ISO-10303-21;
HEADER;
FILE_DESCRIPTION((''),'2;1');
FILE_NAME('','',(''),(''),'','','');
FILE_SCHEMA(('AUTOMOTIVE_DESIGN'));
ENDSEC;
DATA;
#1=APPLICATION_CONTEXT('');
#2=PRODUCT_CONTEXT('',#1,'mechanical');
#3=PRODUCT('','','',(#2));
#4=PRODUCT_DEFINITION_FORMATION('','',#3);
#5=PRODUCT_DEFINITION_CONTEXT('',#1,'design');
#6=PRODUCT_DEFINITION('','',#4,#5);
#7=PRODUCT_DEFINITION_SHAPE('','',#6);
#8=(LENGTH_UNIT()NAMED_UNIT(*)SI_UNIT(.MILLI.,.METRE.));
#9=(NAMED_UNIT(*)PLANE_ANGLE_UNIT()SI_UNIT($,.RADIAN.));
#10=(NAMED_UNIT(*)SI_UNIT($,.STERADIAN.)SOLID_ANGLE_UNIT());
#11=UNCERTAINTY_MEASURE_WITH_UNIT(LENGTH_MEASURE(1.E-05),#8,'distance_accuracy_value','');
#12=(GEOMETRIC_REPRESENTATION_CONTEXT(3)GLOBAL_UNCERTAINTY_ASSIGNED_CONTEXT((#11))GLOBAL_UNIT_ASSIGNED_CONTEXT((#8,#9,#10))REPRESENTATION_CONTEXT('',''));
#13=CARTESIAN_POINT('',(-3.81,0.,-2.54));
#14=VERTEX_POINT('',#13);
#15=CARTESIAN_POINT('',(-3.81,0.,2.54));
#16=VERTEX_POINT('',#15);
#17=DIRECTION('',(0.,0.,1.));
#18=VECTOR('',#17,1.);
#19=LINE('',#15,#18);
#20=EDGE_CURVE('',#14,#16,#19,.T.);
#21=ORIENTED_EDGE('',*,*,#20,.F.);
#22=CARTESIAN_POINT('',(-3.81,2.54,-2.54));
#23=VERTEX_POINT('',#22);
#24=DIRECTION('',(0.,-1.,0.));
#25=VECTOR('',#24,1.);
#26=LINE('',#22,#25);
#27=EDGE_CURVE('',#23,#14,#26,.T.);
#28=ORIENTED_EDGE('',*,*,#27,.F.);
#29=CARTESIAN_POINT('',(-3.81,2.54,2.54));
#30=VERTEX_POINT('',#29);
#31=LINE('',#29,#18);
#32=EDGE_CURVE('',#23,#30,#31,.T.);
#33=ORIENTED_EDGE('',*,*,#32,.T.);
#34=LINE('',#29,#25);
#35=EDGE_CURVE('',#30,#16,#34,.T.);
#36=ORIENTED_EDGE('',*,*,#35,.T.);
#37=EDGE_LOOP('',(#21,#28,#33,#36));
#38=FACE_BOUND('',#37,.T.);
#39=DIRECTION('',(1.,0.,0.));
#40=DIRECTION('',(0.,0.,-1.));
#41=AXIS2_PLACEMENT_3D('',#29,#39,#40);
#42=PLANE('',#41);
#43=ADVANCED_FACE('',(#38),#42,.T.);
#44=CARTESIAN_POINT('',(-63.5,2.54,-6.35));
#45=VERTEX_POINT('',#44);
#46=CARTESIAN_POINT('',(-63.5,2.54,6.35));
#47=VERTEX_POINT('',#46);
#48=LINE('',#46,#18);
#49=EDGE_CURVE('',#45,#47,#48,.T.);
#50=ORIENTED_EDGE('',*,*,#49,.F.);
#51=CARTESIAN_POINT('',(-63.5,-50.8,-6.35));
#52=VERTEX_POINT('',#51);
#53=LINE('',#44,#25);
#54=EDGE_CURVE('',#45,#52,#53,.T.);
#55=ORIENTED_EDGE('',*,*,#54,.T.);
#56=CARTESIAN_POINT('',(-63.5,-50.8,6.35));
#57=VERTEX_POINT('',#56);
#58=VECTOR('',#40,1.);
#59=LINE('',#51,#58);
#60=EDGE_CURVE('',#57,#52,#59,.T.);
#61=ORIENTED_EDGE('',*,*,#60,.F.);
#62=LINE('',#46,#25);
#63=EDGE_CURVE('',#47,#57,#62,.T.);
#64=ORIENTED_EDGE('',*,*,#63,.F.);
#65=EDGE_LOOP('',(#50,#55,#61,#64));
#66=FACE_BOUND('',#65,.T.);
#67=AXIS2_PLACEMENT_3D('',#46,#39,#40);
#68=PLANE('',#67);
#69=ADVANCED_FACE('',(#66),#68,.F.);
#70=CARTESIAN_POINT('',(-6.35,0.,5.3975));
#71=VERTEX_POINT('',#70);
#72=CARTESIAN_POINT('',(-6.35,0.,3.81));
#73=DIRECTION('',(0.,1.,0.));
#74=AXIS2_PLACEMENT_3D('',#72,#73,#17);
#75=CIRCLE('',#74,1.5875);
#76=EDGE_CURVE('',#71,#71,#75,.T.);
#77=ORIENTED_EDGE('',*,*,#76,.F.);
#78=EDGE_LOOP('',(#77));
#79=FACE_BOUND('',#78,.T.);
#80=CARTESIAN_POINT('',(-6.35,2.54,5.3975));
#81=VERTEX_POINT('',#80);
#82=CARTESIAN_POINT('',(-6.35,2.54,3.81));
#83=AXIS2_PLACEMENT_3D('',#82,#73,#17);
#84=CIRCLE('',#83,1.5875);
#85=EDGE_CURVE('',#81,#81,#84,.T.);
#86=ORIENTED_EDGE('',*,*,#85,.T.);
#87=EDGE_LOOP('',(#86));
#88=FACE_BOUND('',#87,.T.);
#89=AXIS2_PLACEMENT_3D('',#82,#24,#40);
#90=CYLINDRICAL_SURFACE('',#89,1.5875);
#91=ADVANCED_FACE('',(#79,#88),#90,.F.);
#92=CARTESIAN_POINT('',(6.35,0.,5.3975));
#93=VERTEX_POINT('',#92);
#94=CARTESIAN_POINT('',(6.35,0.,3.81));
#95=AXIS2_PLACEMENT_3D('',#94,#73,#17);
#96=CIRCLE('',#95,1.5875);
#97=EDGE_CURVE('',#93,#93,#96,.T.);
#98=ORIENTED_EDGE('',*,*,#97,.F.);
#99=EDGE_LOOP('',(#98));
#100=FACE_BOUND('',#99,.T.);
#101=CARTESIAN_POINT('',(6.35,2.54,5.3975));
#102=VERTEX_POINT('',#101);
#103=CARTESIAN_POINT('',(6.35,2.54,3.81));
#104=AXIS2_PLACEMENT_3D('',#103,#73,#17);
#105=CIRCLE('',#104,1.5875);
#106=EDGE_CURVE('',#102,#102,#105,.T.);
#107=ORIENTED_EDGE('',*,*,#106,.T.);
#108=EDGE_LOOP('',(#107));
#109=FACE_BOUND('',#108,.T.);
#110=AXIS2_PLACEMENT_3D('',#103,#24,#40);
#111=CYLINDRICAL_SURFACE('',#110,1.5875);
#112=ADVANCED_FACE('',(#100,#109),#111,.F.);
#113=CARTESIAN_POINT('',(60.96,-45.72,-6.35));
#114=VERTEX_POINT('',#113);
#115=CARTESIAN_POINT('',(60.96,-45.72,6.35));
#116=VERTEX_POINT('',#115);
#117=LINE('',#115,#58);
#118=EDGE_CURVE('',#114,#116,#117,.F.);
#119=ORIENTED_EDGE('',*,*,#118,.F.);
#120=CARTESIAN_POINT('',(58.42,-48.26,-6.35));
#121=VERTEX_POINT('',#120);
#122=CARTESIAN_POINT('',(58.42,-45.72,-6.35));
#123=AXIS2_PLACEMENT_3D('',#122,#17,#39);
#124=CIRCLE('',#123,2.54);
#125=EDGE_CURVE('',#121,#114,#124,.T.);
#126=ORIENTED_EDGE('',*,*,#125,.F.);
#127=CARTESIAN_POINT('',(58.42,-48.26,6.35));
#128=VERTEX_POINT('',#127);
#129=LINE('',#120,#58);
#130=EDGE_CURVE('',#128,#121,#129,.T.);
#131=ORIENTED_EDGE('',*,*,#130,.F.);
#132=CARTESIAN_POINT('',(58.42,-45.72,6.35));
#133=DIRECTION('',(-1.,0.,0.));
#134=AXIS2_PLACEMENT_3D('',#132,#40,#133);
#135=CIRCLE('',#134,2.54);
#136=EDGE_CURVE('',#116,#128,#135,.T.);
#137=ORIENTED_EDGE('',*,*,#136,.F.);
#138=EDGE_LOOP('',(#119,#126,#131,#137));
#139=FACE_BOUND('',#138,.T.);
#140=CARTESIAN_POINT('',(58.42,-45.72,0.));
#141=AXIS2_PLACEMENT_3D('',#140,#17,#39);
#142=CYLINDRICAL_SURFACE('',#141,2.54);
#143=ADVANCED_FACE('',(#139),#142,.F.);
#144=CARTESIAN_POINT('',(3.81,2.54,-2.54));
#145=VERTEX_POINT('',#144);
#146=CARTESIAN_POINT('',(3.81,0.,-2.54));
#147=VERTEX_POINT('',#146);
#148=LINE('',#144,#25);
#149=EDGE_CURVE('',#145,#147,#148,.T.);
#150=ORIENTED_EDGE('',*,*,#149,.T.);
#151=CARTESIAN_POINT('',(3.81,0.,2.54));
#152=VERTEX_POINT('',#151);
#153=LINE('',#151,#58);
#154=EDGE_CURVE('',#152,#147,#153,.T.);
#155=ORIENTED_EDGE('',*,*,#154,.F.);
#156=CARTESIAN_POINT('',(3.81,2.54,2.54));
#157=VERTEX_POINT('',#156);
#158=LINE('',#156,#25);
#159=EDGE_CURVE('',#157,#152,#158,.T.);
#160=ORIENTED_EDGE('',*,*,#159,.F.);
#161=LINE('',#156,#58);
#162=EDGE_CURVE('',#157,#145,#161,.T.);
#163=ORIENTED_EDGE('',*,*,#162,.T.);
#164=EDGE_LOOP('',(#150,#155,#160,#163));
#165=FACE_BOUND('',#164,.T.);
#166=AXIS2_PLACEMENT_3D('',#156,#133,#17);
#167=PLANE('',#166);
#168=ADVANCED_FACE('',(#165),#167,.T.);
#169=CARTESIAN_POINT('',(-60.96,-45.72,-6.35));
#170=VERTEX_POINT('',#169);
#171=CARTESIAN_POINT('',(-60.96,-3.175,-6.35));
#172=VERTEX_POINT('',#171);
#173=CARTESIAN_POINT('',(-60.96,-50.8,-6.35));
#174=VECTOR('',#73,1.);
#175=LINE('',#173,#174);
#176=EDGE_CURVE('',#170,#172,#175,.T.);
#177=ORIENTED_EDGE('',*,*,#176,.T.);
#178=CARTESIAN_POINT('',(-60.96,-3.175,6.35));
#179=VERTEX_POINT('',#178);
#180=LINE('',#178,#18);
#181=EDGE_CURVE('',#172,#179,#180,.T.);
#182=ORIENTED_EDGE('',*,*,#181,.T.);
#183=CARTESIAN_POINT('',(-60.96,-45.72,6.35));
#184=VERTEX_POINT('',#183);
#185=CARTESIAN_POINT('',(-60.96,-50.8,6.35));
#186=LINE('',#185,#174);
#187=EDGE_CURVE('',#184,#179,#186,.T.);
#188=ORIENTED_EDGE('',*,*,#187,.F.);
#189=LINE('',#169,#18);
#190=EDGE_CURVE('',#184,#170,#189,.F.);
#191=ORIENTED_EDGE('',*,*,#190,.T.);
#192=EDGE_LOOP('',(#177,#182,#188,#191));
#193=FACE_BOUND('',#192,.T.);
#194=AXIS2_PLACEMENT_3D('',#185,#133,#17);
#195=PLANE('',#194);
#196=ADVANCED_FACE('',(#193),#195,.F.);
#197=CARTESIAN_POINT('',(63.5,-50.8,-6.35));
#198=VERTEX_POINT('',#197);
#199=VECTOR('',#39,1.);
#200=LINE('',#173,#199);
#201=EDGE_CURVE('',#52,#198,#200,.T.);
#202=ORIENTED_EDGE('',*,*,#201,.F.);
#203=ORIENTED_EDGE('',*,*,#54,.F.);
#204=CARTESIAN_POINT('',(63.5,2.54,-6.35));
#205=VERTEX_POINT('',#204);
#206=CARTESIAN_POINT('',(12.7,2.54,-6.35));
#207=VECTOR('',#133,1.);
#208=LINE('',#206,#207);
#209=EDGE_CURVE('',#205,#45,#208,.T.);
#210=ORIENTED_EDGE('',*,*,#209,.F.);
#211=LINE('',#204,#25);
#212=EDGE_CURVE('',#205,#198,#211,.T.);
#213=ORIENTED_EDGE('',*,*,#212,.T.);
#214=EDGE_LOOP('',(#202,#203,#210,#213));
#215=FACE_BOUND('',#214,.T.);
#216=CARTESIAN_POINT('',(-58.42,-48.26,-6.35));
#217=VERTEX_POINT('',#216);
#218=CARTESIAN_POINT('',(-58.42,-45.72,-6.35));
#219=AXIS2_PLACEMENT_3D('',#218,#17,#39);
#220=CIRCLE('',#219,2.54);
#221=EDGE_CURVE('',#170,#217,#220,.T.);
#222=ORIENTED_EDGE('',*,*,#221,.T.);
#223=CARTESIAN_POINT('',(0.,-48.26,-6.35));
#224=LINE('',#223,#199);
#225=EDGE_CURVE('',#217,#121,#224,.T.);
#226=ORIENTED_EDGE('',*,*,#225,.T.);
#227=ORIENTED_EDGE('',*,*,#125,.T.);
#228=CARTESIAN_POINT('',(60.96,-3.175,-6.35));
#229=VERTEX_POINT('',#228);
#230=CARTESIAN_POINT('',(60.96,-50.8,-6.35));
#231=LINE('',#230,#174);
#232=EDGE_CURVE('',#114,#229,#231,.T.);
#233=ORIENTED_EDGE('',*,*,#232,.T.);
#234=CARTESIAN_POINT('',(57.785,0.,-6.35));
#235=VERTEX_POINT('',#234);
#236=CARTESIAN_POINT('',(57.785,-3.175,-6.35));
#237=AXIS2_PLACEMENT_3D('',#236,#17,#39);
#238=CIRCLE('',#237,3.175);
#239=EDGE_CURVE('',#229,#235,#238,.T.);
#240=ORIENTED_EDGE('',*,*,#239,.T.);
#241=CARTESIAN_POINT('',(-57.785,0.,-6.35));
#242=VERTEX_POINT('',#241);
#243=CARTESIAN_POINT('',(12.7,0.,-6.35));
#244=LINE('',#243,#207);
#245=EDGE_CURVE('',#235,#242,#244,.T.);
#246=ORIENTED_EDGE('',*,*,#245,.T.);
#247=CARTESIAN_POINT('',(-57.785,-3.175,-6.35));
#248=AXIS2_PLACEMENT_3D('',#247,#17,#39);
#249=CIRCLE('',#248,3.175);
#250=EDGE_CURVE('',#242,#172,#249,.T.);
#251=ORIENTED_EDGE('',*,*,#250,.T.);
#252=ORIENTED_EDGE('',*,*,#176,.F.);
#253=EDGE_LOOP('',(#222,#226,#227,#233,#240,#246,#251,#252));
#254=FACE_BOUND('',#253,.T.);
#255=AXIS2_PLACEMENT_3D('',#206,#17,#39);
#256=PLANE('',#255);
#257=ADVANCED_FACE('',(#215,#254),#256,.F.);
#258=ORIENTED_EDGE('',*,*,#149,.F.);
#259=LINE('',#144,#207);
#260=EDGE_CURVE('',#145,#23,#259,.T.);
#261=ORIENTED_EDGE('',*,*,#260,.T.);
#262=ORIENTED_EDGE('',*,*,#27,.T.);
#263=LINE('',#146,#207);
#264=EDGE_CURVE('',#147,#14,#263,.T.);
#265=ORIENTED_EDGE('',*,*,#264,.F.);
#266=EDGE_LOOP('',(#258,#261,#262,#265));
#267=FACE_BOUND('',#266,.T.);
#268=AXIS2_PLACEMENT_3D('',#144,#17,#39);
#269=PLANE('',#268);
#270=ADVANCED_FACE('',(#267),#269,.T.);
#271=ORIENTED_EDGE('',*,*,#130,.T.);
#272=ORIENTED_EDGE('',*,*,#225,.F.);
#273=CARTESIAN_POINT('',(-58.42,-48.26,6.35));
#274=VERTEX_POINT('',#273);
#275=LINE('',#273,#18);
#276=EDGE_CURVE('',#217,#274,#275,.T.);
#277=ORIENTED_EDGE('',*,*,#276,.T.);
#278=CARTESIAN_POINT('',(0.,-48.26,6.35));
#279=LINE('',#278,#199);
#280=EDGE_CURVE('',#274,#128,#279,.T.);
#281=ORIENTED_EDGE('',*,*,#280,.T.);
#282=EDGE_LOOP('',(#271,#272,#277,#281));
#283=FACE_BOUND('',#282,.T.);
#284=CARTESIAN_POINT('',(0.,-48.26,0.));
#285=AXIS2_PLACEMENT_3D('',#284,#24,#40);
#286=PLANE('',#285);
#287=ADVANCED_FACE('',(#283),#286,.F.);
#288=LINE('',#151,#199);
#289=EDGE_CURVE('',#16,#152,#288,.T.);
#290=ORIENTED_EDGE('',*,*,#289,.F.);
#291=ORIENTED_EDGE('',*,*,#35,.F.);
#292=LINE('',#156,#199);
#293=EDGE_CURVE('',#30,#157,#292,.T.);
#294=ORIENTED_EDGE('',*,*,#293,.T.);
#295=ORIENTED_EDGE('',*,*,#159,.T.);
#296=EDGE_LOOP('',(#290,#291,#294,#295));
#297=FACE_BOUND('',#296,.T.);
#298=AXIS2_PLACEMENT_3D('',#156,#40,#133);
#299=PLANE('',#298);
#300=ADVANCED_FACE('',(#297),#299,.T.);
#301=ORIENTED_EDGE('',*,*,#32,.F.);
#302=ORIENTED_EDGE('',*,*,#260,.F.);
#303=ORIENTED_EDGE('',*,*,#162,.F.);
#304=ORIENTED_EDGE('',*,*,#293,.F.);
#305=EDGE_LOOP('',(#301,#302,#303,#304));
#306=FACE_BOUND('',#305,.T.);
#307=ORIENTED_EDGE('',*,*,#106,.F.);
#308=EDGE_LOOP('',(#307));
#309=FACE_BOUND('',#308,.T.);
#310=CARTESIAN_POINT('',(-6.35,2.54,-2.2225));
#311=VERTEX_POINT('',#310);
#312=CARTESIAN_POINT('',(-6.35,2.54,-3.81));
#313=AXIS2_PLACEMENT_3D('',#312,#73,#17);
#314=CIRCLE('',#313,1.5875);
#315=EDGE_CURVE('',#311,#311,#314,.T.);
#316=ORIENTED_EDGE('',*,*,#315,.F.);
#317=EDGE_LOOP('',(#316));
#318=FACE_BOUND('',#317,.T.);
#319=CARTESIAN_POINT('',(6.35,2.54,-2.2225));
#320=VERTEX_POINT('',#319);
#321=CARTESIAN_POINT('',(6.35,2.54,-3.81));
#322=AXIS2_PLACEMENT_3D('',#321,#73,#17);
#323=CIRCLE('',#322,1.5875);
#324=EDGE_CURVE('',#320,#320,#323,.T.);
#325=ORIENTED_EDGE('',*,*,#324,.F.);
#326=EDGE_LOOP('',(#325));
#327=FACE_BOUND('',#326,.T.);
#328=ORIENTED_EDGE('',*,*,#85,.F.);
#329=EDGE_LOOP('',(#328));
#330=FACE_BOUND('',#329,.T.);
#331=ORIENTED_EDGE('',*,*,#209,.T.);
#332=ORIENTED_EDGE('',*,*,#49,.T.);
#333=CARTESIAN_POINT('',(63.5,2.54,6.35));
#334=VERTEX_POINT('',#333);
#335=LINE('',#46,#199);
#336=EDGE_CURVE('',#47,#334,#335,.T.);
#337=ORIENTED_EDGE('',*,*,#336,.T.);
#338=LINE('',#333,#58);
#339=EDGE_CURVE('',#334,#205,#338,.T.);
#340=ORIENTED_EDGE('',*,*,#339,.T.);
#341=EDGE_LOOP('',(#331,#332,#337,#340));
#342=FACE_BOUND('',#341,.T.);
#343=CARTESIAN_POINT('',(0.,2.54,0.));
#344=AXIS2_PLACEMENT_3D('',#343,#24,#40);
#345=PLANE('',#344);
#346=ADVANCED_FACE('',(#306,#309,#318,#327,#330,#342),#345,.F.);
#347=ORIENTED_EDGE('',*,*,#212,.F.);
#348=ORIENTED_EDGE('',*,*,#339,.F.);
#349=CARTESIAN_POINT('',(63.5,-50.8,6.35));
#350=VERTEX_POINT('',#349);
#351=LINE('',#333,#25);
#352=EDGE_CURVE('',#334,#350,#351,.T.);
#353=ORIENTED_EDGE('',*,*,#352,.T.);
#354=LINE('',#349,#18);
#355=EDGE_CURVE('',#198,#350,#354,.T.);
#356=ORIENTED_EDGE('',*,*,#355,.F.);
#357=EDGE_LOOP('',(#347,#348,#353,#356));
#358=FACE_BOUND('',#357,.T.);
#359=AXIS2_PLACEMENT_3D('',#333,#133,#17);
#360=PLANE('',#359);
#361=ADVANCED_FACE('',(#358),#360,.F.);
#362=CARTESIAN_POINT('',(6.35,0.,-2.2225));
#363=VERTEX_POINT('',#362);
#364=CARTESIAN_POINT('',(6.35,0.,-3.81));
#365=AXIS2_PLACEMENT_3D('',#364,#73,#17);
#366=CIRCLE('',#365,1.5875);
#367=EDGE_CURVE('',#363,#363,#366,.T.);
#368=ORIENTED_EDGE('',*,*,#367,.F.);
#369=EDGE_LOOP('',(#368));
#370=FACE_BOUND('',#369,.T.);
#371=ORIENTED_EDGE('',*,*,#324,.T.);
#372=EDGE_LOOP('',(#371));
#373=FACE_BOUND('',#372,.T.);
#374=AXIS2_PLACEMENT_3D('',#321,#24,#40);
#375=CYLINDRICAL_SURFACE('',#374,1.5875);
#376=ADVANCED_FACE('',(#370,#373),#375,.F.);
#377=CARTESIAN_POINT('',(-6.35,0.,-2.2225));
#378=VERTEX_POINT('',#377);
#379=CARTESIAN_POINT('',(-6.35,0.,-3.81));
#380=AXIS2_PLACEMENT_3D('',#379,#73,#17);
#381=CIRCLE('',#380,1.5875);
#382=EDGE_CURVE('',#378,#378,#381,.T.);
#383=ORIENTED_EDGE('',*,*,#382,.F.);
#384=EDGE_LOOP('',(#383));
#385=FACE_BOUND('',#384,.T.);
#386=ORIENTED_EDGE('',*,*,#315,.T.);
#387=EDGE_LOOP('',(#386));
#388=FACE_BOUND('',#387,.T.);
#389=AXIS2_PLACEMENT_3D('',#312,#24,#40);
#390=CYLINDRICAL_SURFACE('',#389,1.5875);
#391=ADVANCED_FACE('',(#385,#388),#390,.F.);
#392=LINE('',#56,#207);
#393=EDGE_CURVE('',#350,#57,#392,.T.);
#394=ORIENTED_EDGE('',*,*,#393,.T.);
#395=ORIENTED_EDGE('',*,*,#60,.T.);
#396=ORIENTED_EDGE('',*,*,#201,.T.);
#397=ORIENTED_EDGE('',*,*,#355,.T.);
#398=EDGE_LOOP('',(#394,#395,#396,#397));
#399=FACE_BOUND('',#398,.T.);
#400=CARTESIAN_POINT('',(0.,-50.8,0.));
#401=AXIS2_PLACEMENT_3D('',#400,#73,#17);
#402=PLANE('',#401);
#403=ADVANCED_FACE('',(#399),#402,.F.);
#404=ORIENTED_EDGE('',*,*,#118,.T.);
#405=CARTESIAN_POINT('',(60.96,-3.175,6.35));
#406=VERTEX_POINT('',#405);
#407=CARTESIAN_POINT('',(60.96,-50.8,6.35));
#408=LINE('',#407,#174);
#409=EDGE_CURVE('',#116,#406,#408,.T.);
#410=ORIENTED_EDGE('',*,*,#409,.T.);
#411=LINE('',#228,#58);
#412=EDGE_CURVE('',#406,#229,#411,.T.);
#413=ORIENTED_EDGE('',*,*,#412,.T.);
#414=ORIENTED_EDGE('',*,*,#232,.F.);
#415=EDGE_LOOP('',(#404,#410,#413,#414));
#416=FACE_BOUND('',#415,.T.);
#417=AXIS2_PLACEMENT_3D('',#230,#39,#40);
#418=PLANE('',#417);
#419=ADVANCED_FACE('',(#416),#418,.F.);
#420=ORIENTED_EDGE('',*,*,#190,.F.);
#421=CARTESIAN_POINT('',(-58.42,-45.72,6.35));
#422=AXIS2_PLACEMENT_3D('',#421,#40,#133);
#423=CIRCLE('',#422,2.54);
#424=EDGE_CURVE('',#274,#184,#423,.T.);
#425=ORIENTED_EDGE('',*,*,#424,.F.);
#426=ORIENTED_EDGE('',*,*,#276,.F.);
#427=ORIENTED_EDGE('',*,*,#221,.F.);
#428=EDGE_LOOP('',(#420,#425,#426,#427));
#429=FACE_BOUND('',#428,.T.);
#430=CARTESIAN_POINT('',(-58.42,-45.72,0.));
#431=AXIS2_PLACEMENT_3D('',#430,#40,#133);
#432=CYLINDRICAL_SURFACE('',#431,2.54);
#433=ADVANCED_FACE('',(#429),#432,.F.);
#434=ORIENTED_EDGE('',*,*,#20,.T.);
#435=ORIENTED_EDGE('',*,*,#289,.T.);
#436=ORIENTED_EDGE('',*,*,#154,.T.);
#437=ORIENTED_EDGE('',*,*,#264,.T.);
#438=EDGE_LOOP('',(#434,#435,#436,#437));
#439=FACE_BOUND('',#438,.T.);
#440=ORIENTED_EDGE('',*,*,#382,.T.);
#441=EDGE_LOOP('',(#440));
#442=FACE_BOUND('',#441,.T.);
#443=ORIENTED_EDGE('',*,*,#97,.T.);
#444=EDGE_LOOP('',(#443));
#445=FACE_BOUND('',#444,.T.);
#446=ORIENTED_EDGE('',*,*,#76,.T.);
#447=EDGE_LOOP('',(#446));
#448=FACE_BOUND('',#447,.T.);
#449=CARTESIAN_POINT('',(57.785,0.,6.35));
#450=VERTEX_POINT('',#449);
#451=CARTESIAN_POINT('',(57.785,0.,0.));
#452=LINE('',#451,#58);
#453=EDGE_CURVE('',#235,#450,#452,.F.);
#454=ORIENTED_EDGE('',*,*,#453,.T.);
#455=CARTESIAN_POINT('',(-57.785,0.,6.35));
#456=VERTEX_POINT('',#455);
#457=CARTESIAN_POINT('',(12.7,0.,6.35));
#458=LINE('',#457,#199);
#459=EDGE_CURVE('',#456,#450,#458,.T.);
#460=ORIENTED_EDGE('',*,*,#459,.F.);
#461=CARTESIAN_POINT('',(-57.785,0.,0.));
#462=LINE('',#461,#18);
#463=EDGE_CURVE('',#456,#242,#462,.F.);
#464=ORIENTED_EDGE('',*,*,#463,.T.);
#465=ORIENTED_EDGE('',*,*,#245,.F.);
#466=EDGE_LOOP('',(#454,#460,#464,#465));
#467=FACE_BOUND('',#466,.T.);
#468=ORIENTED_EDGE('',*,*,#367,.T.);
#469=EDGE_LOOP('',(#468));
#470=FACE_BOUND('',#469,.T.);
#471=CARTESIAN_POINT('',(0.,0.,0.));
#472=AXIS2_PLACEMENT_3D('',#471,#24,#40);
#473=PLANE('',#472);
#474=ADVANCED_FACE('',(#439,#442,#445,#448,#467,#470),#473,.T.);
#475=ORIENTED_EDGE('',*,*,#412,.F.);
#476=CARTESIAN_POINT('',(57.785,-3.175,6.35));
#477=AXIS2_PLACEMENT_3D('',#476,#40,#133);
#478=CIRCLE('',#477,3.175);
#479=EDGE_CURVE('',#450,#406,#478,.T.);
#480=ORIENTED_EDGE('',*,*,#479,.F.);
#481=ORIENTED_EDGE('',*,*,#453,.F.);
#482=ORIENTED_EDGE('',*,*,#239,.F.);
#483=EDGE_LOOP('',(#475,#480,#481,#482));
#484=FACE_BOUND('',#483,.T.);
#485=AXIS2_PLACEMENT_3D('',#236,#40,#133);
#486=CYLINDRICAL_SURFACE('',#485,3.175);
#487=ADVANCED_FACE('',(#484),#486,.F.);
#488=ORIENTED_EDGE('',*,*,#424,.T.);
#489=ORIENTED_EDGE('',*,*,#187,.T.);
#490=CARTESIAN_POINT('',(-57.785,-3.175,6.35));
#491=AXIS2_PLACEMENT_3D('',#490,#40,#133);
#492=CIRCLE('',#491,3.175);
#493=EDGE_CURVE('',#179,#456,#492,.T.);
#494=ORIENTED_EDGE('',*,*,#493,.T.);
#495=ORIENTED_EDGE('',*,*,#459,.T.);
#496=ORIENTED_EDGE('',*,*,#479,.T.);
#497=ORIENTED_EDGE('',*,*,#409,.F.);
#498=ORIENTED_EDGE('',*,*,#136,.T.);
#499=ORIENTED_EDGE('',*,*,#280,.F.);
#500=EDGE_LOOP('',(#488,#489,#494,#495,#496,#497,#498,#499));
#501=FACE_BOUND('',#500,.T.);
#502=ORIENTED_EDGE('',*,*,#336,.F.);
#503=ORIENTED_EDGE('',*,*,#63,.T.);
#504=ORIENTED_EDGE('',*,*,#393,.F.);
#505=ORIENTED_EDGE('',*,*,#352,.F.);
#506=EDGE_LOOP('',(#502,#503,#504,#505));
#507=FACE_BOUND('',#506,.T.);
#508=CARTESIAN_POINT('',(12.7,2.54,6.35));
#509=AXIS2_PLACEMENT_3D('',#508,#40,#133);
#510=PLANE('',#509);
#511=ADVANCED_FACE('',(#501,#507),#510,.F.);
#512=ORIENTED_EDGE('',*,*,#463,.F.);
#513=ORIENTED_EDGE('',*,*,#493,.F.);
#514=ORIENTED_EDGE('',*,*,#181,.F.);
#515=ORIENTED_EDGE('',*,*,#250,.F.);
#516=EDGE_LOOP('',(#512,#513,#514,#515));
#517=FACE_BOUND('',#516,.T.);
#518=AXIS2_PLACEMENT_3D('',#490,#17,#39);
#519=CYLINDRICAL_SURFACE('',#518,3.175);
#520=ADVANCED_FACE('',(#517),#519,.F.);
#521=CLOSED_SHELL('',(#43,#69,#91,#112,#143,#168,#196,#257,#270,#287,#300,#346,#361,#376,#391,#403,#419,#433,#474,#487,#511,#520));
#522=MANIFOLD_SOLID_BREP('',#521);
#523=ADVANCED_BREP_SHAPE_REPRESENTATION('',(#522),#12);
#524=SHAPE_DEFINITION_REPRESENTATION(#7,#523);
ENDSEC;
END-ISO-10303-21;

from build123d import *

# Parameters (mm, degrees)
SKETCH1_R           = 1.5875
SKETCH1_W           = 7.62
SKETCH1_H           = 5.08
BOSS_EXTRUDE1_DEPTH = 2.54
SKETCH2_W           = 2.54
SKETCH2_H           = 12.7
BOSS_EXTRUDE2_DEPTH = 50.8
SKETCH3_W           = 127
SKETCH3_H           = 12.7
BOSS_EXTRUDE3_DEPTH = 2.54
FILLET1_R           = 2.54
FILLET2_R           = 3.175


with BuildPart() as part:
    # Sketch1 → Boss-Extrude1 (new body)
    with BuildSketch(Plane(origin=(0, 0, 0), x_dir=(1, 0, 0), z_dir=(0, 1, 0))):
        Polygon((-63.5, 6.35), (-12.7, 6.35), (12.7, 6.35), (63.5, 6.35), (63.5, -6.35), (12.7, -6.35), (-12.7, -6.35), (-63.5, -6.35), align=None)
        with Locations((-6.35, 3.81)):
            Circle(SKETCH1_R, mode=Mode.SUBTRACT)
        with Locations((6.35, 3.81)):
            Circle(SKETCH1_R, mode=Mode.SUBTRACT)
        with Locations((6.35, -3.81)):
            Circle(SKETCH1_R, mode=Mode.SUBTRACT)
        with Locations((-6.35, -3.81)):
            Circle(SKETCH1_R, mode=Mode.SUBTRACT)
        Rectangle(SKETCH1_W, SKETCH1_H, mode=Mode.SUBTRACT)
    extrude(amount=BOSS_EXTRUDE1_DEPTH)

    # Sketch2 → Boss-Extrude2 (add)
    with BuildSketch(Plane.XZ):
        with Locations((-62.23, 0)):
            Rectangle(SKETCH2_W, SKETCH2_H)
        with Locations((62.23, 0)):
            Rectangle(SKETCH2_W, SKETCH2_H)
    extrude(amount=BOSS_EXTRUDE2_DEPTH)

    # Sketch3 → Boss-Extrude3 (add)
    with BuildSketch(Plane.XZ.offset(50.8)):
        Rectangle(SKETCH3_W, SKETCH3_H)
    extrude(amount=-BOSS_EXTRUDE3_DEPTH)

    # Fillet1
    fillet1_edges = [part.edges().sort_by_distance(p)[0] for p in [
        (-60.96, -48.26, 0),
        (60.96, -48.26, 0),
    ]]
    fillet(fillet1_edges, radius=FILLET1_R)

    # Fillet2
    fillet2_edges = [part.edges().sort_by_distance(p)[0] for p in [
        (-60.96, 0, 0),
        (60.96, 0, 0),
    ]]
    fillet(fillet2_edges, radius=FILLET2_R)


solid = part.part
